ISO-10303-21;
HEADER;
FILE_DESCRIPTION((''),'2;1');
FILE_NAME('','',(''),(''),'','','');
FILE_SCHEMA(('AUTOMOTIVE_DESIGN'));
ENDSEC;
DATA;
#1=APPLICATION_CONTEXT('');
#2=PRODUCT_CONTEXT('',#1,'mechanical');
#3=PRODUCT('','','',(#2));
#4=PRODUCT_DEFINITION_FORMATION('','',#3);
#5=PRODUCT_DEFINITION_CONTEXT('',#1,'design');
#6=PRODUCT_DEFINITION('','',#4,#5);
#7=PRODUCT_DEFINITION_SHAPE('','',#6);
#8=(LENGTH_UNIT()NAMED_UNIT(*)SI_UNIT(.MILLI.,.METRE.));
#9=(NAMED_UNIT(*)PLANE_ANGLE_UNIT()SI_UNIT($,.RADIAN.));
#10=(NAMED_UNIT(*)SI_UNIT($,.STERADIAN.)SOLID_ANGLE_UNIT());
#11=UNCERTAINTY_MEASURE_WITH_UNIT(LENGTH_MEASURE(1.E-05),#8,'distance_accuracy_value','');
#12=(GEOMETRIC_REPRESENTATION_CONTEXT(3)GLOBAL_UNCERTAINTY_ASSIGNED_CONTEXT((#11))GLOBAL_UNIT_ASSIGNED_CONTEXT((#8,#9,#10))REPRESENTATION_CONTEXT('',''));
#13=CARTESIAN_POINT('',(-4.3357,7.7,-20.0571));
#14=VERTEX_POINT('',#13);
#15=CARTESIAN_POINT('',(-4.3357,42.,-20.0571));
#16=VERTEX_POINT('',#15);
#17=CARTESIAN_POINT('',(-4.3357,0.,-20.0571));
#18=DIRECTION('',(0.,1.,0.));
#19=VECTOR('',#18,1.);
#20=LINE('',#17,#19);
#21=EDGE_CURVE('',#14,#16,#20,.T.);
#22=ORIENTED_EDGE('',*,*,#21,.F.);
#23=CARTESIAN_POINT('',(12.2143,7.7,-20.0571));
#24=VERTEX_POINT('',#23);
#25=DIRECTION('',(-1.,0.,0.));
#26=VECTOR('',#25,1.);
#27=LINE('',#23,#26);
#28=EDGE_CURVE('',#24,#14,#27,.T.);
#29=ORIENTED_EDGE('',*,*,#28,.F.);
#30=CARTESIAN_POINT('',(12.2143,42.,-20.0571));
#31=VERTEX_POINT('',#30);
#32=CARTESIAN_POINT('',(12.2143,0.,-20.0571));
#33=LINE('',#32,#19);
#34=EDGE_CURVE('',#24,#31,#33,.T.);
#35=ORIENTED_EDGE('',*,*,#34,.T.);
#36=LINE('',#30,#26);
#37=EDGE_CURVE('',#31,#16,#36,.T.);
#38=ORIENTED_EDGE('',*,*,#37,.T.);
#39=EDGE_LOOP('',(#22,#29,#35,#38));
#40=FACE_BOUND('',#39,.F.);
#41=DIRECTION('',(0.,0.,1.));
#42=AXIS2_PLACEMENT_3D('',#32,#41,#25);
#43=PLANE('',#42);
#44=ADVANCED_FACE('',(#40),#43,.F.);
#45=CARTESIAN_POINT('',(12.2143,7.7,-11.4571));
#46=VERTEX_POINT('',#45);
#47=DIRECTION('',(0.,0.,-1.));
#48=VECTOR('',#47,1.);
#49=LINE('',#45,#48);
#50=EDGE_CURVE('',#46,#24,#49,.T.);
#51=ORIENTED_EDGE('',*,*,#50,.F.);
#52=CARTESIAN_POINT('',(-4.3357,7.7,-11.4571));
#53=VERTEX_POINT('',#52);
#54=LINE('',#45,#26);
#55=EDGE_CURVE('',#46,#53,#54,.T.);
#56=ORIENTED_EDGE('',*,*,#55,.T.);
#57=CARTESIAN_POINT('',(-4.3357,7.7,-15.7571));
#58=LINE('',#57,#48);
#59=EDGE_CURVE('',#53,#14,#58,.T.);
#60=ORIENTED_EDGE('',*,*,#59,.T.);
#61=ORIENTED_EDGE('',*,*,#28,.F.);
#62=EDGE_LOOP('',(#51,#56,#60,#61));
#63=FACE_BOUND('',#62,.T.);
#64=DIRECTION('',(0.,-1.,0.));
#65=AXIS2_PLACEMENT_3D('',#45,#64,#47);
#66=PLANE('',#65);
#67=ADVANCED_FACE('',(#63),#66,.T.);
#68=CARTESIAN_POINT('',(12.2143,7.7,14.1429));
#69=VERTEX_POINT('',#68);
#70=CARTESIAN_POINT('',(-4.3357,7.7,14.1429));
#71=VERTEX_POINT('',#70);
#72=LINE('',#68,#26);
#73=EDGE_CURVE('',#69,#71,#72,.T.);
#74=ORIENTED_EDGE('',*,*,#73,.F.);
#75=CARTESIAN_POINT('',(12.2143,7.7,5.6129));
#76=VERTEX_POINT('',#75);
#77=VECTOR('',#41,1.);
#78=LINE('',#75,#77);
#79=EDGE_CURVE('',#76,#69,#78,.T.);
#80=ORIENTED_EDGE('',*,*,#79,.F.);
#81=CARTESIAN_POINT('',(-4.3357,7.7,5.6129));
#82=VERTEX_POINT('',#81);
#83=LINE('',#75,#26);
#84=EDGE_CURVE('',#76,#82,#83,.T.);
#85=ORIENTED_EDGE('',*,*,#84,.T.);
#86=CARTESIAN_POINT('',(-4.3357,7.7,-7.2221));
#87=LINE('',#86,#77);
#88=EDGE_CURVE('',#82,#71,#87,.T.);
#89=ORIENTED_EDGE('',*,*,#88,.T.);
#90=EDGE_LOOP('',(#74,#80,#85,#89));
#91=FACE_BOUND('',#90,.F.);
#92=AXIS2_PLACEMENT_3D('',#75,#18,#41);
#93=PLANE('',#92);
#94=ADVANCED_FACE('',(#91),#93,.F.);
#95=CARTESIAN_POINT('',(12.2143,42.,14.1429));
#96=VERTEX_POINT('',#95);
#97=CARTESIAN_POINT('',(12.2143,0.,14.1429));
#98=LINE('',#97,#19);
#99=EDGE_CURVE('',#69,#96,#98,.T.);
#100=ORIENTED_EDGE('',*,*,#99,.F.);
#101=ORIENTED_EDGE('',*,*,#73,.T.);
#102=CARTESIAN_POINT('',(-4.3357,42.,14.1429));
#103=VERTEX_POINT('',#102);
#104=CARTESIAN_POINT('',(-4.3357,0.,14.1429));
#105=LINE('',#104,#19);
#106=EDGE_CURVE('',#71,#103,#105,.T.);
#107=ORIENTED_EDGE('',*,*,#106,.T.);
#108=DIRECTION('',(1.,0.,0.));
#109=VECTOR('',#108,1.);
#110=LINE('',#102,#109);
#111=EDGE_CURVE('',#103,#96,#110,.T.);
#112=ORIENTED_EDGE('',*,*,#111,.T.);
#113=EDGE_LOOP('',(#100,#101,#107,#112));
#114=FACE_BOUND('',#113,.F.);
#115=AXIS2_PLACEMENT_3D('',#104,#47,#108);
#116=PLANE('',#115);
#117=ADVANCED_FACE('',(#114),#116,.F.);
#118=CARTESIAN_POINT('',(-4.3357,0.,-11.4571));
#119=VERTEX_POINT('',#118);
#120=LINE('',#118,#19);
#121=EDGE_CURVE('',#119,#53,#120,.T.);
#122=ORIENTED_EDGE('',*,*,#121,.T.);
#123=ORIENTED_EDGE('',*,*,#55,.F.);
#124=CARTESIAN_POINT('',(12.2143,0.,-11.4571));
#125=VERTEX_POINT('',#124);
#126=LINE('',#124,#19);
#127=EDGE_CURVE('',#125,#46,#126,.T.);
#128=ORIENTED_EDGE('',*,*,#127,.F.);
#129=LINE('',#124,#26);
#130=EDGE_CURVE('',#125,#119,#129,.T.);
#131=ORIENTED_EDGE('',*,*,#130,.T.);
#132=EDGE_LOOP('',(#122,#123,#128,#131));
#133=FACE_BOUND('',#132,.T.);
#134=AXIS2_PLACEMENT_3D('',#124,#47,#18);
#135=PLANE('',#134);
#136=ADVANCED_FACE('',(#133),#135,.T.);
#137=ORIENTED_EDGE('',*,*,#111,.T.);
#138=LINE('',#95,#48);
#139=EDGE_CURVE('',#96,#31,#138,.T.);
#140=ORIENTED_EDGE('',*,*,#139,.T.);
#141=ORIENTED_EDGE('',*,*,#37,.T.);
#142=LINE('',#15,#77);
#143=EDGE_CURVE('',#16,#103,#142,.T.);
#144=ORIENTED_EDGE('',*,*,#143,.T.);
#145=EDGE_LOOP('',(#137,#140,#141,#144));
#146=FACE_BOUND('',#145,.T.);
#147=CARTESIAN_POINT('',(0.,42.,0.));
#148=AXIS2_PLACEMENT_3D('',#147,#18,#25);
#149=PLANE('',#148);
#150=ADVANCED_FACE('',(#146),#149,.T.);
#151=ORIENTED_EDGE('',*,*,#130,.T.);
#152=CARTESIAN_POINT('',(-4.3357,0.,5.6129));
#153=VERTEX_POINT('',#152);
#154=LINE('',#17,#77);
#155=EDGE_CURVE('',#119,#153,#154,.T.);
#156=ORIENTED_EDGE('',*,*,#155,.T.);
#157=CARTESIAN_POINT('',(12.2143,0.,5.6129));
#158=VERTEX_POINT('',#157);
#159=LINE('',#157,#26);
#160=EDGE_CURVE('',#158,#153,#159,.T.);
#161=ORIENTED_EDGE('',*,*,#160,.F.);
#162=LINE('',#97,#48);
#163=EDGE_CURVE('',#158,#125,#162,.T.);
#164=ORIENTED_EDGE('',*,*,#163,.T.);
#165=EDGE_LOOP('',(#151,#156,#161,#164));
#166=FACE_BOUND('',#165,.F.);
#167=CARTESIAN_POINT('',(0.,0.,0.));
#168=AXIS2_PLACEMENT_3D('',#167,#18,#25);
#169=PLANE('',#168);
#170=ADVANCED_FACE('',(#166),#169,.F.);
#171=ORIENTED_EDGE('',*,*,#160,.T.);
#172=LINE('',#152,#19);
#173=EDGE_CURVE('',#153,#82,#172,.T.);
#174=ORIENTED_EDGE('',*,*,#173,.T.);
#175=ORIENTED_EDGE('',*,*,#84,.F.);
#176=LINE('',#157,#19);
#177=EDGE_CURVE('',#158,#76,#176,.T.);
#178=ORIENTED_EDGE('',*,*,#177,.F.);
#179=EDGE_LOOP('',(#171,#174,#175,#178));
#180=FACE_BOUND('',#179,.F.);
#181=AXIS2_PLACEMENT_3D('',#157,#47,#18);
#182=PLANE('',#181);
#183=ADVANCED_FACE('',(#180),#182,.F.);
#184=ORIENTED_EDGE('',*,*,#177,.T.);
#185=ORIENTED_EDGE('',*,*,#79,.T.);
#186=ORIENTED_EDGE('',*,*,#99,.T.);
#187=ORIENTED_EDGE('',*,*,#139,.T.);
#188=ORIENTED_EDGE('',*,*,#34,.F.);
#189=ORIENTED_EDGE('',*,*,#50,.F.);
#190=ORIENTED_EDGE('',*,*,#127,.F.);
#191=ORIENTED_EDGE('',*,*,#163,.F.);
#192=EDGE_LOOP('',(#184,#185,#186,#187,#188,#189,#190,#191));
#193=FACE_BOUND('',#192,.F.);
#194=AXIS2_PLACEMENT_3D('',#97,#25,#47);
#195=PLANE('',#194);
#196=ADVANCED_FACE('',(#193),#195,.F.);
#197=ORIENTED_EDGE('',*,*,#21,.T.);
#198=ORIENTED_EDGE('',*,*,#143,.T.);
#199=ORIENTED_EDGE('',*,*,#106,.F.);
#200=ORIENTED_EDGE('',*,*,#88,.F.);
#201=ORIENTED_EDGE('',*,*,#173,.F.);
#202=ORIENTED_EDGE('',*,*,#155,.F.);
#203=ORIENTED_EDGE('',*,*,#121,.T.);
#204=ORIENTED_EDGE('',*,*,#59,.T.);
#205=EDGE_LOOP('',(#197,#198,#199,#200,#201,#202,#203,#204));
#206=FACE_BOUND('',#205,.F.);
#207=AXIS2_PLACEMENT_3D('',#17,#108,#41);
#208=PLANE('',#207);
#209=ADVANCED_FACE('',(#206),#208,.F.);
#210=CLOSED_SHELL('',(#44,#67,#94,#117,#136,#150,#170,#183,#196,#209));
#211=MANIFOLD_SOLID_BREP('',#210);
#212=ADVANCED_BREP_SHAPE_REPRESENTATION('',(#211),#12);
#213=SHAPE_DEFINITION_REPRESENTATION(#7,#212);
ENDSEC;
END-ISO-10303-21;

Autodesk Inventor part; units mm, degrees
ref_plane "YZ Plane" through (0, 0, 0) normal (1, 0, 0) x (0, 1, 0)
ref_plane "XZ Plane" through (0, 0, 0) normal (0, 1, 0) x (-1, 0, 0)
ref_plane "XY Plane" through (0, 0, 0) normal (0, 0, 1) x (1, 0, 0)
sketch "Sketch1" plane through (0, 0, 0) normal (0, 1, 0) x (-1, 0, 0)
  line L0 (4.3357, 14.1429) -> (-12.2143, 14.1429)
  line L1 (-12.2143, 14.1429) -> (-12.2143, -20.0571)
  line L2 (-12.2143, -20.0571) -> (4.3357, -20.0571)
  line L3 (4.3357, -20.0571) -> (4.3357, 14.1429)
  point P0 (0, 0)
  dimension "d0" = 34.2
  dimension "d1" = 16.55
extrude "Extrusion1" add sketch "Sketch1" along normal blind 42
sketch "Sketch2" plane through (12.2143, 0, 14.1429) normal (1, 0, 0) x (0, 0, -1)
  circle A0 centre (17.1, 24.85) radius 1.9655
  line L0 (0, 42) -> (34.2, 42) projected
  line L1 (0, 0) -> (0, 42) projected
  point P0 (14.1429, 0)
  dimension "d4" = 17.15
  dimension "d5" = 17.1
sketch "Sketch3" plane through (12.2143, 0, 14.1429) normal (1, 0, 0) x (0, 0, -1)
  line L0 (0, 0) -> (8.53, 0)
  line L1 (8.53, 0) -> (8.53, 7.7)
  line L2 (8.53, 7.7) -> (0, 7.7)
  line L3 (0, 7.7) -> (0, 0)
  point P0 (14.1429, 0)
  dimension "d18" = 7.7
  dimension "d19" = 8.53
extrude "Extrusion2" cut sketch "Sketch3" against normal blind 17.9375
sketch "Sketch4" plane through (12.2143, 0, -20.0571) normal (1, 0, 0) x (0, 0, -1)
  line L0 (0, 0) -> (0, 42) projected
  line L1 (0, 0) -> (-8.6, 0)
  line L2 (-8.6, 0) -> (-8.6, 7.7)
  line L3 (-8.6, 7.7) -> (0, 7.7)
  line L4 (0, 7.7) -> (0, 0)
  point P0 (-20.0571, 0)
  point P1 (0, 7.7)
  dimension "d22" = 8.6
  dimension "d23" = 7.7
extrude "Extrusion3" cut sketch "Sketch4" against normal blind 17.9375
properties part number "Arducam_Mega"
